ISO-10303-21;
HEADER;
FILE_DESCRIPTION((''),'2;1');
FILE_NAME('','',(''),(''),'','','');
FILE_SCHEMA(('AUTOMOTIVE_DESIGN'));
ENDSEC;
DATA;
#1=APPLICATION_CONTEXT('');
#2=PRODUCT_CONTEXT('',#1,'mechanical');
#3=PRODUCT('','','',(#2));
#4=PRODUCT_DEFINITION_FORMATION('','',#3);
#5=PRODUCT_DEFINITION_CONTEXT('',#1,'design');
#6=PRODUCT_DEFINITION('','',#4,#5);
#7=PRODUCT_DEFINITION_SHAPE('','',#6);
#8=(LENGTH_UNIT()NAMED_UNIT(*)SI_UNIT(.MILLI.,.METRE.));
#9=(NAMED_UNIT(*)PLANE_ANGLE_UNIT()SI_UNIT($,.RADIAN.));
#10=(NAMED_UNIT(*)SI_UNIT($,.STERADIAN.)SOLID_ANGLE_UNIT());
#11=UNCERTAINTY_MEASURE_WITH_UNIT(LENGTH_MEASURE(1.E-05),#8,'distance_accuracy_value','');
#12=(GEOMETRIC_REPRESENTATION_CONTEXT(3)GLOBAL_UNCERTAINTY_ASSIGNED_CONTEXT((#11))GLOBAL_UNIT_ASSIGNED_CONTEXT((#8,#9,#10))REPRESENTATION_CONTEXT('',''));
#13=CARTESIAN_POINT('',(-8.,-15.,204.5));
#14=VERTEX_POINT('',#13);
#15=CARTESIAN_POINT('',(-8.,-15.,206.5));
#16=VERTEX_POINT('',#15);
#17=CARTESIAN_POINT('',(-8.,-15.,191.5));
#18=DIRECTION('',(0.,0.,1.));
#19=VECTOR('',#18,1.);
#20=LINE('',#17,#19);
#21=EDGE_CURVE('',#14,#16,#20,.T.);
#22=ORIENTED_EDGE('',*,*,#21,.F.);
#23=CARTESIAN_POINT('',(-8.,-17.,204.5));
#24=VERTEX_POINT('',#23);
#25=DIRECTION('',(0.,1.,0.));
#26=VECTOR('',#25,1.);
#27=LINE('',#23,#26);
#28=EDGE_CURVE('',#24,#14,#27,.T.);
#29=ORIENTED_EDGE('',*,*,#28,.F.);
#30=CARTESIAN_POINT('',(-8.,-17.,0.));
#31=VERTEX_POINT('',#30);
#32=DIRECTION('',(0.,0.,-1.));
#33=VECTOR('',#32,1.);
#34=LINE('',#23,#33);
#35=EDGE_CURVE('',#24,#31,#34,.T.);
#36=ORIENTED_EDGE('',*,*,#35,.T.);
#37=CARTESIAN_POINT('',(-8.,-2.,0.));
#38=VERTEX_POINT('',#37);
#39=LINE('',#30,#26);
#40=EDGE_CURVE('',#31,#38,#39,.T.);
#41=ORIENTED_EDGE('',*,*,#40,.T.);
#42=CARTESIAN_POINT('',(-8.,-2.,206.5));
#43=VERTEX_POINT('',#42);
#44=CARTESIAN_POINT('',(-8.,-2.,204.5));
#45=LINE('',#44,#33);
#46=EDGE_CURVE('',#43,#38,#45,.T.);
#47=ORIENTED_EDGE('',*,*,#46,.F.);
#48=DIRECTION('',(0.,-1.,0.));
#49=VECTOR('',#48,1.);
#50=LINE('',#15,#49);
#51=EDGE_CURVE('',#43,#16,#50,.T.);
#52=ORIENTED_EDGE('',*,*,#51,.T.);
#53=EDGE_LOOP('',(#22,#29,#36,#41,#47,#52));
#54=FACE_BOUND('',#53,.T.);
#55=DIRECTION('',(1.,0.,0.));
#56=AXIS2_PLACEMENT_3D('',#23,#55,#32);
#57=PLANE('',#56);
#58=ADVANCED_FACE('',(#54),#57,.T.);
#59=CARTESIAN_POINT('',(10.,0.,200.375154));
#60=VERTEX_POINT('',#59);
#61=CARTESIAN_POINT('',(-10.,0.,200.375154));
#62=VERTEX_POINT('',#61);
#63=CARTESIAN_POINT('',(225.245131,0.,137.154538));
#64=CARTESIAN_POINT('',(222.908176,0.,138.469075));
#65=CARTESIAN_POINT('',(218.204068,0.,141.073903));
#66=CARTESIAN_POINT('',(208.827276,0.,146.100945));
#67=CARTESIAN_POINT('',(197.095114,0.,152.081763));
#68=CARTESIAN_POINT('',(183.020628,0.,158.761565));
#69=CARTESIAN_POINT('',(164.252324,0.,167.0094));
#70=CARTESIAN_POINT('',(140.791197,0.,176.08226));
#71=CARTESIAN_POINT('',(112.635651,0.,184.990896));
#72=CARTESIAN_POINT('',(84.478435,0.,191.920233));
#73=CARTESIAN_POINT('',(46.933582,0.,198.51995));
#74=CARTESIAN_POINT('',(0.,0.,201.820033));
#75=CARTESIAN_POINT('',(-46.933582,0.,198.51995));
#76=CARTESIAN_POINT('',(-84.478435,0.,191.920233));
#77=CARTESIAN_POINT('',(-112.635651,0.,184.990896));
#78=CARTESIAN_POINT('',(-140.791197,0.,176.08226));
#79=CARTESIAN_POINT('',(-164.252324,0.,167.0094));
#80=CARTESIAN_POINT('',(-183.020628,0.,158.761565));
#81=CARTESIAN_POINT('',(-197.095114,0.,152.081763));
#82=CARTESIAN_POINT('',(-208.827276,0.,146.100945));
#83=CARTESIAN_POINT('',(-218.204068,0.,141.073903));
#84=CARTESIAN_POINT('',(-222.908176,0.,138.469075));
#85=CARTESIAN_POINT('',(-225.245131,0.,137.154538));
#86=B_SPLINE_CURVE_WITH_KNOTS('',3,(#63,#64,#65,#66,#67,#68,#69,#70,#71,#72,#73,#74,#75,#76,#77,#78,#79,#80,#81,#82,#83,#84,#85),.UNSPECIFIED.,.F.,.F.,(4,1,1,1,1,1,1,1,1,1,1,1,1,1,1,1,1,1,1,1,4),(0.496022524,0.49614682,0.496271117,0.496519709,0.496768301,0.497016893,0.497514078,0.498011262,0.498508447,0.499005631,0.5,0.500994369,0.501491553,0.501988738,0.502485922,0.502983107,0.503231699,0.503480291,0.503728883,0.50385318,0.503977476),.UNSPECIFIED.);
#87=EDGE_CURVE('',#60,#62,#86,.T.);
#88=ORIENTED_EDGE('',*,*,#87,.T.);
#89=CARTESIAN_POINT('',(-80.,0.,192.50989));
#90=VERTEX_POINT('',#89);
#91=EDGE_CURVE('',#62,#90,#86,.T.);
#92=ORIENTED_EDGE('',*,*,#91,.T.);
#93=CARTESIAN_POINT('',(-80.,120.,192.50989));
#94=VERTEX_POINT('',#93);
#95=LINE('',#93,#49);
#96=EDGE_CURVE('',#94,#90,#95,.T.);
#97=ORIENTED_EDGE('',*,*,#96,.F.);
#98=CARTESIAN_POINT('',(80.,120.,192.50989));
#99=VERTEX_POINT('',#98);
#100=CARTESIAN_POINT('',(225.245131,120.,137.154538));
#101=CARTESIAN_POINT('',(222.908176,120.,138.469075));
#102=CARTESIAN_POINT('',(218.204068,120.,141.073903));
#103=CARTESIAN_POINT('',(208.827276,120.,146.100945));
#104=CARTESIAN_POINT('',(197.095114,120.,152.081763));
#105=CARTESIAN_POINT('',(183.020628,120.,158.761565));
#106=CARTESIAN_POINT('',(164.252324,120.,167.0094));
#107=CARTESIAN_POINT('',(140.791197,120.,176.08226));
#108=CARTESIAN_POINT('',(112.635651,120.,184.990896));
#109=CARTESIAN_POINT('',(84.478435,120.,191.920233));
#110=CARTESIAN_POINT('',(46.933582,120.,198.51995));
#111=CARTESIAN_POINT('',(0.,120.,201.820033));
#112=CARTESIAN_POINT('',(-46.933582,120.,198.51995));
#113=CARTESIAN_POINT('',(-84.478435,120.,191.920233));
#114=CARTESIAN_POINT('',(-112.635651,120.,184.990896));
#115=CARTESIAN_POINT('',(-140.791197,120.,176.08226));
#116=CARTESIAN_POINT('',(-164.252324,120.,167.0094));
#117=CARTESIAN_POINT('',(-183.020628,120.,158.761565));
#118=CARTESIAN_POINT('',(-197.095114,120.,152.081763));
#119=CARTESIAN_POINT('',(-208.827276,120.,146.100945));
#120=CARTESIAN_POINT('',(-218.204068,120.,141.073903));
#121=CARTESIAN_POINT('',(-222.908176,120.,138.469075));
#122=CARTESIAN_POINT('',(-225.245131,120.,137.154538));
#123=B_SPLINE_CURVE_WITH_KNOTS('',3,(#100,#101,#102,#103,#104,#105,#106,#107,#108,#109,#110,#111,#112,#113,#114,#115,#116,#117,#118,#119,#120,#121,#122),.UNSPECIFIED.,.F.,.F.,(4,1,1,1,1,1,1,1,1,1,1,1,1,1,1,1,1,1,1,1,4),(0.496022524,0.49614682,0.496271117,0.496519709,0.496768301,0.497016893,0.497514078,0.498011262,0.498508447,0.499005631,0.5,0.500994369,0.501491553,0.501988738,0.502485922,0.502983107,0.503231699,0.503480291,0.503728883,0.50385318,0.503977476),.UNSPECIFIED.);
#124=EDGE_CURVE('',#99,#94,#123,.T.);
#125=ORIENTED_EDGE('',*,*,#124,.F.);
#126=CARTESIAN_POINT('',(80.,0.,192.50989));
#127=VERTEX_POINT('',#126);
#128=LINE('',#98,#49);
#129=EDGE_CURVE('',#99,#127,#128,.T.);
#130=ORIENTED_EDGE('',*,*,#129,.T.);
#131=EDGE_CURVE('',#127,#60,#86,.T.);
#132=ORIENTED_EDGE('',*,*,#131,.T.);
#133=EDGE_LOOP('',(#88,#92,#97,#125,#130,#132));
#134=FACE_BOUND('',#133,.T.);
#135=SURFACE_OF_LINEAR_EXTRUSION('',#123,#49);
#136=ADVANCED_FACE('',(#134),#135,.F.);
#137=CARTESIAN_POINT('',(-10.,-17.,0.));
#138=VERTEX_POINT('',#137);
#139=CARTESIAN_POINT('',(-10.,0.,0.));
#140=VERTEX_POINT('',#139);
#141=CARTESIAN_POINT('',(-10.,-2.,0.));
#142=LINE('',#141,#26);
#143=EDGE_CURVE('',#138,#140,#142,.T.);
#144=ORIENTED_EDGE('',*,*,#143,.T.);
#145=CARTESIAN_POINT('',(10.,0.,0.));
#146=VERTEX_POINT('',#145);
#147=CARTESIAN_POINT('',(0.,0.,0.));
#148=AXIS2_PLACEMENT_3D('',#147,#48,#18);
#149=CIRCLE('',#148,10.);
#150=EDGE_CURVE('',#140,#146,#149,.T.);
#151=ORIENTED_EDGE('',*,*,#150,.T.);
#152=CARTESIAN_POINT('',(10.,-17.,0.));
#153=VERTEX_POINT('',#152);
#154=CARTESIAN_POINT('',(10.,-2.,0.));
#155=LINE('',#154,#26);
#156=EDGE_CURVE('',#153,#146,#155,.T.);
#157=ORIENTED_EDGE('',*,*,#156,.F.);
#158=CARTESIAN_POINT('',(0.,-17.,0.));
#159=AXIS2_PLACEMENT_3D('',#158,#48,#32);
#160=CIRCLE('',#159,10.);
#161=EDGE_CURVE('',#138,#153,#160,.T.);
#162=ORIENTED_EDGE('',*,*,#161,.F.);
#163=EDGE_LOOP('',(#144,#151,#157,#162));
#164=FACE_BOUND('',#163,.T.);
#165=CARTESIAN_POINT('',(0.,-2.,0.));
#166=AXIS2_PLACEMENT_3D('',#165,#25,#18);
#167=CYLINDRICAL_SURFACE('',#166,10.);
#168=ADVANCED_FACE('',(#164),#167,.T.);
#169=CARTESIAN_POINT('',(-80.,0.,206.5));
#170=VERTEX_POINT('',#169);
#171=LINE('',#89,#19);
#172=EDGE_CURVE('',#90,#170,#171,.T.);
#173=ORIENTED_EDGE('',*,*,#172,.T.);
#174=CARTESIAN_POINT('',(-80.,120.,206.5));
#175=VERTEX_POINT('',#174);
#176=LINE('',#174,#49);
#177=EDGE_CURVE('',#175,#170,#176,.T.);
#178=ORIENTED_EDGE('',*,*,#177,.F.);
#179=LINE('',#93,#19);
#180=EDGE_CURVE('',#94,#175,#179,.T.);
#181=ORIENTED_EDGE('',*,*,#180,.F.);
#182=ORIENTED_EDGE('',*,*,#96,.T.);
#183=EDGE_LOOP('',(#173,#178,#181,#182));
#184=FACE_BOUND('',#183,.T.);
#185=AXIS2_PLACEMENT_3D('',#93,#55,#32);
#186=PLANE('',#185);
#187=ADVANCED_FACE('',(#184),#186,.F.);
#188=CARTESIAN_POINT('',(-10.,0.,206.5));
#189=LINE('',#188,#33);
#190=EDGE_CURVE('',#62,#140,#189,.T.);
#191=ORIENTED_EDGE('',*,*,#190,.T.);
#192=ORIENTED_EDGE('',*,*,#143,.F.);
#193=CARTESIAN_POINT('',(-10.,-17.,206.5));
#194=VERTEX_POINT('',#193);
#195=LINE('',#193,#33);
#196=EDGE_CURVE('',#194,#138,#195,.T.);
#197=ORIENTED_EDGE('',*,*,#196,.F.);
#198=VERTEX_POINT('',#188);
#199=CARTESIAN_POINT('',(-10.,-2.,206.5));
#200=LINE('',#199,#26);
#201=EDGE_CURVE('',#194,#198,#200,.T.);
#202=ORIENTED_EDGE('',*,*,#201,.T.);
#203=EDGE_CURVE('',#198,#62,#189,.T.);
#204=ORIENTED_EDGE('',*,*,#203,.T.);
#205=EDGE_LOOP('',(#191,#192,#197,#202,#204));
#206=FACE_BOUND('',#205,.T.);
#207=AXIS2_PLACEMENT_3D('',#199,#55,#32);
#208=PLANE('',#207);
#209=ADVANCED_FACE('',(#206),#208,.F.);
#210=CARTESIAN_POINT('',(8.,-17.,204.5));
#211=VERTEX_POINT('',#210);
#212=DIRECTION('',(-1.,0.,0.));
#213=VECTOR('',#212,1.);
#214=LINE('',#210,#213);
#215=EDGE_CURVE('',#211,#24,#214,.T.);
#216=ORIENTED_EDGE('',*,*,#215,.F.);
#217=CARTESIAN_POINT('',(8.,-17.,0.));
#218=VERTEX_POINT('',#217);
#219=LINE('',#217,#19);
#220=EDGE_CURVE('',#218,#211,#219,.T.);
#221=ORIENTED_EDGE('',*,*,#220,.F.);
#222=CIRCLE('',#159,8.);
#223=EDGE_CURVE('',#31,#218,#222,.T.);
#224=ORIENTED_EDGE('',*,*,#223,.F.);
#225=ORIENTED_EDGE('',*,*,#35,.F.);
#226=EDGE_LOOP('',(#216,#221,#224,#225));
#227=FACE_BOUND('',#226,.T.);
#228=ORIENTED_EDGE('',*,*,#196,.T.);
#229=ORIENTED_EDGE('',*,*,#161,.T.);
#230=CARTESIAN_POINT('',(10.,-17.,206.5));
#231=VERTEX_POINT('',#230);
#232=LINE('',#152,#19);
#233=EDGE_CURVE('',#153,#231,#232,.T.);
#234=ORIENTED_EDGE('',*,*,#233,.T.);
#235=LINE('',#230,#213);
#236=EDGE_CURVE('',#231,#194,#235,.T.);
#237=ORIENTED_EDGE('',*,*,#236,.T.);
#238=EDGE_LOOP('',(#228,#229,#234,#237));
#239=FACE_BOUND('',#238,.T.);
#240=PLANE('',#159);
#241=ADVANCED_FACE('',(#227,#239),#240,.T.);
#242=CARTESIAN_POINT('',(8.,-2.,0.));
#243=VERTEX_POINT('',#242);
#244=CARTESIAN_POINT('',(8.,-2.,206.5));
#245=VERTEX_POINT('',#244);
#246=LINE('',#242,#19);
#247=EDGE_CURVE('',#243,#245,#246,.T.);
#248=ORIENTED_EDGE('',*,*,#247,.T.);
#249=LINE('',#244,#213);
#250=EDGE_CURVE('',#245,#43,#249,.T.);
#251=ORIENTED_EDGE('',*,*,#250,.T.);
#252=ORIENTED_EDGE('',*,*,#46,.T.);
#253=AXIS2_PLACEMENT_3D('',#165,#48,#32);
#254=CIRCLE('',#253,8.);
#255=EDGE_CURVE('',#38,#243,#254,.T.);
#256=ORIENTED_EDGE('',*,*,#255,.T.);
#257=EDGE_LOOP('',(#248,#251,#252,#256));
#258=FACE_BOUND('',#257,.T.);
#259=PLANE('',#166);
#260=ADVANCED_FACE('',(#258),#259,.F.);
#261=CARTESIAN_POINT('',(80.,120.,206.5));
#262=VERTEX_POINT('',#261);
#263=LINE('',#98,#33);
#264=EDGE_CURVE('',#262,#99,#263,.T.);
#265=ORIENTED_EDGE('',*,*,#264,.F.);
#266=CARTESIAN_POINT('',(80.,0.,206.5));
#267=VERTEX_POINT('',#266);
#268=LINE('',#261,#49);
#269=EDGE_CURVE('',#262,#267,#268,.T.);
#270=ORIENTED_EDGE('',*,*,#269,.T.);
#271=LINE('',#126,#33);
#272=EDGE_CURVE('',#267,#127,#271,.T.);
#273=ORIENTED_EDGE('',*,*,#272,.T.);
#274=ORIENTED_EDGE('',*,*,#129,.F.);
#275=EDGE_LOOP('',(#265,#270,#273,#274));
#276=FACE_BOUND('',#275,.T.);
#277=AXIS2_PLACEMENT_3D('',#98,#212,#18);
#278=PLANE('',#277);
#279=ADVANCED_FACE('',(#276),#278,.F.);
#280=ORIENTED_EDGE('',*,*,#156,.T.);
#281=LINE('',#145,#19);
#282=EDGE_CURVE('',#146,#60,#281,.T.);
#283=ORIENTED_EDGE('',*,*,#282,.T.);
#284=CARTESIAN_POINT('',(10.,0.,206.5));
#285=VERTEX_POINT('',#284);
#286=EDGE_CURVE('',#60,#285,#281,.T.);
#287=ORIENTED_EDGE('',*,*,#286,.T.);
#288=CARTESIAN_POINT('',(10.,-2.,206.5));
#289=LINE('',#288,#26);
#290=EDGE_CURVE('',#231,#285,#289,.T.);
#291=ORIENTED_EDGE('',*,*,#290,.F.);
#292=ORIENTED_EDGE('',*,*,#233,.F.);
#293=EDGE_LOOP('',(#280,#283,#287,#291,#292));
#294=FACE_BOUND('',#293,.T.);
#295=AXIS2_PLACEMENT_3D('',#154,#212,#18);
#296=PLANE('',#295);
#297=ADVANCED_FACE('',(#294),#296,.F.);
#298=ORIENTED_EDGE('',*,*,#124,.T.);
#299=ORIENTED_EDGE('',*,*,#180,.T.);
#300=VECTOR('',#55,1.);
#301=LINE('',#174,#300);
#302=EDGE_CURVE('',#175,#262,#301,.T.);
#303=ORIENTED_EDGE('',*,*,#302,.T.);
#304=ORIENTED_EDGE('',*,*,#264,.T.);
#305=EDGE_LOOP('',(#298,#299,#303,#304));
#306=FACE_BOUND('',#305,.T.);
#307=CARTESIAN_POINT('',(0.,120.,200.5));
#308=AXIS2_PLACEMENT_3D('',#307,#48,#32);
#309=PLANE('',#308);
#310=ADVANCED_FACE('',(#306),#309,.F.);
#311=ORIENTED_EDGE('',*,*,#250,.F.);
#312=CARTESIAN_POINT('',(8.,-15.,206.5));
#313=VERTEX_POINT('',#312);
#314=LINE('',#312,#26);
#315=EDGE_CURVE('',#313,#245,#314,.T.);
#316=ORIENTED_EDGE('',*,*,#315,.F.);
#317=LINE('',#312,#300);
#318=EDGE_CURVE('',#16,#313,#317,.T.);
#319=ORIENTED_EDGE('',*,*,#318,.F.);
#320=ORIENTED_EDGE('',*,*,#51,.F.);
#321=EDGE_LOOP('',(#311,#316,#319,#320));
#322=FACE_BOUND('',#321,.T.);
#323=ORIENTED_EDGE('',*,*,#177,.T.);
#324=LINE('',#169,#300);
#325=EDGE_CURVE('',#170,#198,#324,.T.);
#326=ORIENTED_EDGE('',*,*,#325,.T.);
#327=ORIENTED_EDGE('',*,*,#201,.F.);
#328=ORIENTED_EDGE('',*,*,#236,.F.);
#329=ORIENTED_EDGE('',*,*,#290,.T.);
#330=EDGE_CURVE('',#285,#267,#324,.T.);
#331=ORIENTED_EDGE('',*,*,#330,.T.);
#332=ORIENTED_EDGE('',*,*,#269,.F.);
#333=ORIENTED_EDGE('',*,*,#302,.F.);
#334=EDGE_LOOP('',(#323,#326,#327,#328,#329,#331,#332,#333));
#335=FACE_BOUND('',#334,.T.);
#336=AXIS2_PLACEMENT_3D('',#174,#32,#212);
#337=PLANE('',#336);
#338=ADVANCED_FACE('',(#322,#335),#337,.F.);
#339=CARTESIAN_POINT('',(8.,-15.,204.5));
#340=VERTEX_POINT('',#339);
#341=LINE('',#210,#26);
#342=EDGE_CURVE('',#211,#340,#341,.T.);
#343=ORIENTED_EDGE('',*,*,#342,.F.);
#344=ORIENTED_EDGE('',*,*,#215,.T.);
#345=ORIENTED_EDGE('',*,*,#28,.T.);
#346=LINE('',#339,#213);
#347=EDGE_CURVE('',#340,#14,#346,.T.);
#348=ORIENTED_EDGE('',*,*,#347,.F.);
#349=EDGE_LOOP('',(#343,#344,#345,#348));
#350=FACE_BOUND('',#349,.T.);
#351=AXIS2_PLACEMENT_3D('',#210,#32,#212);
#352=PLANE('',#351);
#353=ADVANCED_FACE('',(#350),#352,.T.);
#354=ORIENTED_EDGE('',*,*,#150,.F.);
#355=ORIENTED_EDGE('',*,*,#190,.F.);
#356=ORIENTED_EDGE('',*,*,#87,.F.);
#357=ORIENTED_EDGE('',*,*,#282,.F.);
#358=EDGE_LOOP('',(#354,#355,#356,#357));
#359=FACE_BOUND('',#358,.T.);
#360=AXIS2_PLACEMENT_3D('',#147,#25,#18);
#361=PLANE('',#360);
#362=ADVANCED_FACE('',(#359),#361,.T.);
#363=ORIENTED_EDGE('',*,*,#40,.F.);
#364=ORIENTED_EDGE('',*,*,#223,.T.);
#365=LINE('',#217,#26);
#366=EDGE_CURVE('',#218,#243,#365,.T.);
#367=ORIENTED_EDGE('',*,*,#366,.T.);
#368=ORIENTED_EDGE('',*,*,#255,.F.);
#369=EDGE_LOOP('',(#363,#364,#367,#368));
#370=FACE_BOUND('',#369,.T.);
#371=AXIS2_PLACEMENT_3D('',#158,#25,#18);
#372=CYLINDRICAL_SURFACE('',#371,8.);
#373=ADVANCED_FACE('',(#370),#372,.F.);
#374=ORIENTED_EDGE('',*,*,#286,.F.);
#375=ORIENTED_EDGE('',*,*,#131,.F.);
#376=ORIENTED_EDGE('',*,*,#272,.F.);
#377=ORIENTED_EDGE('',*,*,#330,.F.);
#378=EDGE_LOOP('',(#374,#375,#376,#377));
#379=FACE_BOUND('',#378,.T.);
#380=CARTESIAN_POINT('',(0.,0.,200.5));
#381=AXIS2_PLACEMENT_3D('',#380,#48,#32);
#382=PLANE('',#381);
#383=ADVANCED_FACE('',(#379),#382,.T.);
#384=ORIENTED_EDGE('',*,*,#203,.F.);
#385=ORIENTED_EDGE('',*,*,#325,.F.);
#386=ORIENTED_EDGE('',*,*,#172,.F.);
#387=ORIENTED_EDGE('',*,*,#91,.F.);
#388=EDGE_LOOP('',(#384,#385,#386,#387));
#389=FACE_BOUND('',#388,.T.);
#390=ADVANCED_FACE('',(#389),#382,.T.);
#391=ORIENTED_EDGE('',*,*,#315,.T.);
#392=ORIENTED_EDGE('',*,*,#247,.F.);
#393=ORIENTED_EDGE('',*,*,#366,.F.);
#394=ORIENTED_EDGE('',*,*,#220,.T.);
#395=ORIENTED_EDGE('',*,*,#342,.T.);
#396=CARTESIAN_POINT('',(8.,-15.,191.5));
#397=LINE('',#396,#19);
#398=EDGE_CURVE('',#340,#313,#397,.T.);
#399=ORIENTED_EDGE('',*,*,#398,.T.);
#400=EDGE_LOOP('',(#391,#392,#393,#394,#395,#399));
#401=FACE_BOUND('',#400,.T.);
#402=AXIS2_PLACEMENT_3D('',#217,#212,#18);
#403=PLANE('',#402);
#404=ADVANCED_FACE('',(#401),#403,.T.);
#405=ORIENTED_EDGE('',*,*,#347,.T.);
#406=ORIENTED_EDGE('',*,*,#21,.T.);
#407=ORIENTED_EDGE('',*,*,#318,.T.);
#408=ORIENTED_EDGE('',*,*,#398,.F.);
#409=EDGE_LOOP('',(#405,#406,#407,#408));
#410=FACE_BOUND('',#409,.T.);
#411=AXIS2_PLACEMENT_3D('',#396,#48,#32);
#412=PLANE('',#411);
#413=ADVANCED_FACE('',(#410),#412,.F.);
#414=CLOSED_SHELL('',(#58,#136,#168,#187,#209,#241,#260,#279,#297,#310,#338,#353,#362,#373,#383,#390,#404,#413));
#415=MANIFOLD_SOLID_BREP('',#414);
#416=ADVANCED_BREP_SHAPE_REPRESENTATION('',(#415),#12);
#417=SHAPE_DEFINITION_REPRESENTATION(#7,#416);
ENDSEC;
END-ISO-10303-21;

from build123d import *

# Parameters (mm, degrees)
BOSS_EXTRUDE3_DEPTH = 120
BOSS_EXTRUDE4_DEPTH = 2
BOSS_EXTRUDE5_DEPTH = 15
SKETCH8_W           = 16
SKETCH8_H           = 13
CUT_EXTRUDE2_DEPTH  = 15


with BuildPart() as part:
    # Sketch4 → Boss-Extrude3 (new body)
    with BuildSketch(Plane(origin=(0, 0, 0), x_dir=(1, 0, 0), z_dir=(0, 1, 0))):
        with BuildLine():
            Line((-80, -192.509889923), (-80, -206.5))
            Line((-80, -206.5), (80, -206.5))
            Line((80, -206.5), (80, -192.509889923))
            add(Edge.make_bspline(
                [(-80, -192.509889923), (-72.106688699, -194.086619514), (-45.4407372, -198.624917909), (0, -201.8200332), (45.4407372, -198.624917909), (72.106688699, -194.086619514), (80, -192.509889923)],
                knots=[0.498587518, 0.498587518, 0.498587518, 0.498587518, 0.499005631, 0.5, 0.500994369, 0.501412482, 0.501412482, 0.501412482, 0.501412482], degree=3))
        make_face()
    extrude(amount=BOSS_EXTRUDE3_DEPTH)

    # Sketch6 → Boss-Extrude4 (add)
    with BuildSketch(Plane.XZ):
        with BuildLine():
            Line((10, 0), (10, 206.5))
            Line((10, 206.5), (-10, 206.5))
            Line((-10, 206.5), (-10, 0))
            ThreePointArc((-10, 0), (0, -10), (10, 0))
        make_face()
    extrude(amount=BOSS_EXTRUDE4_DEPTH)

    # Sketch7 → Boss-Extrude5 (add)
    with BuildSketch(Plane.XZ.offset(2)):
        with BuildLine():
            Line((10, 0), (10, 206.5))
            Line((10, 206.5), (-10, 206.5))
            Line((-10, 206.5), (-10, 0))
            ThreePointArc((-10, 0), (0, -10), (10, 0))
        make_face()
        with BuildLine():
            Line((8, 0), (8, 204.5))
            Line((8, 204.5), (-8, 204.5))
            Line((-8, 204.5), (-8, 0))
            ThreePointArc((-8, 0), (0, -8), (8, 0))
        make_face(mode=Mode.SUBTRACT)
    extrude(amount=BOSS_EXTRUDE5_DEPTH)

    # Sketch8 → Cut-Extrude2 (cut)
    with BuildSketch(Plane.XY.offset(206.5)):
        with Locations((0, -8.5)):
            Rectangle(SKETCH8_W, SKETCH8_H)
    extrude(amount=-CUT_EXTRUDE2_DEPTH, mode=Mode.SUBTRACT)


solid = part.part
